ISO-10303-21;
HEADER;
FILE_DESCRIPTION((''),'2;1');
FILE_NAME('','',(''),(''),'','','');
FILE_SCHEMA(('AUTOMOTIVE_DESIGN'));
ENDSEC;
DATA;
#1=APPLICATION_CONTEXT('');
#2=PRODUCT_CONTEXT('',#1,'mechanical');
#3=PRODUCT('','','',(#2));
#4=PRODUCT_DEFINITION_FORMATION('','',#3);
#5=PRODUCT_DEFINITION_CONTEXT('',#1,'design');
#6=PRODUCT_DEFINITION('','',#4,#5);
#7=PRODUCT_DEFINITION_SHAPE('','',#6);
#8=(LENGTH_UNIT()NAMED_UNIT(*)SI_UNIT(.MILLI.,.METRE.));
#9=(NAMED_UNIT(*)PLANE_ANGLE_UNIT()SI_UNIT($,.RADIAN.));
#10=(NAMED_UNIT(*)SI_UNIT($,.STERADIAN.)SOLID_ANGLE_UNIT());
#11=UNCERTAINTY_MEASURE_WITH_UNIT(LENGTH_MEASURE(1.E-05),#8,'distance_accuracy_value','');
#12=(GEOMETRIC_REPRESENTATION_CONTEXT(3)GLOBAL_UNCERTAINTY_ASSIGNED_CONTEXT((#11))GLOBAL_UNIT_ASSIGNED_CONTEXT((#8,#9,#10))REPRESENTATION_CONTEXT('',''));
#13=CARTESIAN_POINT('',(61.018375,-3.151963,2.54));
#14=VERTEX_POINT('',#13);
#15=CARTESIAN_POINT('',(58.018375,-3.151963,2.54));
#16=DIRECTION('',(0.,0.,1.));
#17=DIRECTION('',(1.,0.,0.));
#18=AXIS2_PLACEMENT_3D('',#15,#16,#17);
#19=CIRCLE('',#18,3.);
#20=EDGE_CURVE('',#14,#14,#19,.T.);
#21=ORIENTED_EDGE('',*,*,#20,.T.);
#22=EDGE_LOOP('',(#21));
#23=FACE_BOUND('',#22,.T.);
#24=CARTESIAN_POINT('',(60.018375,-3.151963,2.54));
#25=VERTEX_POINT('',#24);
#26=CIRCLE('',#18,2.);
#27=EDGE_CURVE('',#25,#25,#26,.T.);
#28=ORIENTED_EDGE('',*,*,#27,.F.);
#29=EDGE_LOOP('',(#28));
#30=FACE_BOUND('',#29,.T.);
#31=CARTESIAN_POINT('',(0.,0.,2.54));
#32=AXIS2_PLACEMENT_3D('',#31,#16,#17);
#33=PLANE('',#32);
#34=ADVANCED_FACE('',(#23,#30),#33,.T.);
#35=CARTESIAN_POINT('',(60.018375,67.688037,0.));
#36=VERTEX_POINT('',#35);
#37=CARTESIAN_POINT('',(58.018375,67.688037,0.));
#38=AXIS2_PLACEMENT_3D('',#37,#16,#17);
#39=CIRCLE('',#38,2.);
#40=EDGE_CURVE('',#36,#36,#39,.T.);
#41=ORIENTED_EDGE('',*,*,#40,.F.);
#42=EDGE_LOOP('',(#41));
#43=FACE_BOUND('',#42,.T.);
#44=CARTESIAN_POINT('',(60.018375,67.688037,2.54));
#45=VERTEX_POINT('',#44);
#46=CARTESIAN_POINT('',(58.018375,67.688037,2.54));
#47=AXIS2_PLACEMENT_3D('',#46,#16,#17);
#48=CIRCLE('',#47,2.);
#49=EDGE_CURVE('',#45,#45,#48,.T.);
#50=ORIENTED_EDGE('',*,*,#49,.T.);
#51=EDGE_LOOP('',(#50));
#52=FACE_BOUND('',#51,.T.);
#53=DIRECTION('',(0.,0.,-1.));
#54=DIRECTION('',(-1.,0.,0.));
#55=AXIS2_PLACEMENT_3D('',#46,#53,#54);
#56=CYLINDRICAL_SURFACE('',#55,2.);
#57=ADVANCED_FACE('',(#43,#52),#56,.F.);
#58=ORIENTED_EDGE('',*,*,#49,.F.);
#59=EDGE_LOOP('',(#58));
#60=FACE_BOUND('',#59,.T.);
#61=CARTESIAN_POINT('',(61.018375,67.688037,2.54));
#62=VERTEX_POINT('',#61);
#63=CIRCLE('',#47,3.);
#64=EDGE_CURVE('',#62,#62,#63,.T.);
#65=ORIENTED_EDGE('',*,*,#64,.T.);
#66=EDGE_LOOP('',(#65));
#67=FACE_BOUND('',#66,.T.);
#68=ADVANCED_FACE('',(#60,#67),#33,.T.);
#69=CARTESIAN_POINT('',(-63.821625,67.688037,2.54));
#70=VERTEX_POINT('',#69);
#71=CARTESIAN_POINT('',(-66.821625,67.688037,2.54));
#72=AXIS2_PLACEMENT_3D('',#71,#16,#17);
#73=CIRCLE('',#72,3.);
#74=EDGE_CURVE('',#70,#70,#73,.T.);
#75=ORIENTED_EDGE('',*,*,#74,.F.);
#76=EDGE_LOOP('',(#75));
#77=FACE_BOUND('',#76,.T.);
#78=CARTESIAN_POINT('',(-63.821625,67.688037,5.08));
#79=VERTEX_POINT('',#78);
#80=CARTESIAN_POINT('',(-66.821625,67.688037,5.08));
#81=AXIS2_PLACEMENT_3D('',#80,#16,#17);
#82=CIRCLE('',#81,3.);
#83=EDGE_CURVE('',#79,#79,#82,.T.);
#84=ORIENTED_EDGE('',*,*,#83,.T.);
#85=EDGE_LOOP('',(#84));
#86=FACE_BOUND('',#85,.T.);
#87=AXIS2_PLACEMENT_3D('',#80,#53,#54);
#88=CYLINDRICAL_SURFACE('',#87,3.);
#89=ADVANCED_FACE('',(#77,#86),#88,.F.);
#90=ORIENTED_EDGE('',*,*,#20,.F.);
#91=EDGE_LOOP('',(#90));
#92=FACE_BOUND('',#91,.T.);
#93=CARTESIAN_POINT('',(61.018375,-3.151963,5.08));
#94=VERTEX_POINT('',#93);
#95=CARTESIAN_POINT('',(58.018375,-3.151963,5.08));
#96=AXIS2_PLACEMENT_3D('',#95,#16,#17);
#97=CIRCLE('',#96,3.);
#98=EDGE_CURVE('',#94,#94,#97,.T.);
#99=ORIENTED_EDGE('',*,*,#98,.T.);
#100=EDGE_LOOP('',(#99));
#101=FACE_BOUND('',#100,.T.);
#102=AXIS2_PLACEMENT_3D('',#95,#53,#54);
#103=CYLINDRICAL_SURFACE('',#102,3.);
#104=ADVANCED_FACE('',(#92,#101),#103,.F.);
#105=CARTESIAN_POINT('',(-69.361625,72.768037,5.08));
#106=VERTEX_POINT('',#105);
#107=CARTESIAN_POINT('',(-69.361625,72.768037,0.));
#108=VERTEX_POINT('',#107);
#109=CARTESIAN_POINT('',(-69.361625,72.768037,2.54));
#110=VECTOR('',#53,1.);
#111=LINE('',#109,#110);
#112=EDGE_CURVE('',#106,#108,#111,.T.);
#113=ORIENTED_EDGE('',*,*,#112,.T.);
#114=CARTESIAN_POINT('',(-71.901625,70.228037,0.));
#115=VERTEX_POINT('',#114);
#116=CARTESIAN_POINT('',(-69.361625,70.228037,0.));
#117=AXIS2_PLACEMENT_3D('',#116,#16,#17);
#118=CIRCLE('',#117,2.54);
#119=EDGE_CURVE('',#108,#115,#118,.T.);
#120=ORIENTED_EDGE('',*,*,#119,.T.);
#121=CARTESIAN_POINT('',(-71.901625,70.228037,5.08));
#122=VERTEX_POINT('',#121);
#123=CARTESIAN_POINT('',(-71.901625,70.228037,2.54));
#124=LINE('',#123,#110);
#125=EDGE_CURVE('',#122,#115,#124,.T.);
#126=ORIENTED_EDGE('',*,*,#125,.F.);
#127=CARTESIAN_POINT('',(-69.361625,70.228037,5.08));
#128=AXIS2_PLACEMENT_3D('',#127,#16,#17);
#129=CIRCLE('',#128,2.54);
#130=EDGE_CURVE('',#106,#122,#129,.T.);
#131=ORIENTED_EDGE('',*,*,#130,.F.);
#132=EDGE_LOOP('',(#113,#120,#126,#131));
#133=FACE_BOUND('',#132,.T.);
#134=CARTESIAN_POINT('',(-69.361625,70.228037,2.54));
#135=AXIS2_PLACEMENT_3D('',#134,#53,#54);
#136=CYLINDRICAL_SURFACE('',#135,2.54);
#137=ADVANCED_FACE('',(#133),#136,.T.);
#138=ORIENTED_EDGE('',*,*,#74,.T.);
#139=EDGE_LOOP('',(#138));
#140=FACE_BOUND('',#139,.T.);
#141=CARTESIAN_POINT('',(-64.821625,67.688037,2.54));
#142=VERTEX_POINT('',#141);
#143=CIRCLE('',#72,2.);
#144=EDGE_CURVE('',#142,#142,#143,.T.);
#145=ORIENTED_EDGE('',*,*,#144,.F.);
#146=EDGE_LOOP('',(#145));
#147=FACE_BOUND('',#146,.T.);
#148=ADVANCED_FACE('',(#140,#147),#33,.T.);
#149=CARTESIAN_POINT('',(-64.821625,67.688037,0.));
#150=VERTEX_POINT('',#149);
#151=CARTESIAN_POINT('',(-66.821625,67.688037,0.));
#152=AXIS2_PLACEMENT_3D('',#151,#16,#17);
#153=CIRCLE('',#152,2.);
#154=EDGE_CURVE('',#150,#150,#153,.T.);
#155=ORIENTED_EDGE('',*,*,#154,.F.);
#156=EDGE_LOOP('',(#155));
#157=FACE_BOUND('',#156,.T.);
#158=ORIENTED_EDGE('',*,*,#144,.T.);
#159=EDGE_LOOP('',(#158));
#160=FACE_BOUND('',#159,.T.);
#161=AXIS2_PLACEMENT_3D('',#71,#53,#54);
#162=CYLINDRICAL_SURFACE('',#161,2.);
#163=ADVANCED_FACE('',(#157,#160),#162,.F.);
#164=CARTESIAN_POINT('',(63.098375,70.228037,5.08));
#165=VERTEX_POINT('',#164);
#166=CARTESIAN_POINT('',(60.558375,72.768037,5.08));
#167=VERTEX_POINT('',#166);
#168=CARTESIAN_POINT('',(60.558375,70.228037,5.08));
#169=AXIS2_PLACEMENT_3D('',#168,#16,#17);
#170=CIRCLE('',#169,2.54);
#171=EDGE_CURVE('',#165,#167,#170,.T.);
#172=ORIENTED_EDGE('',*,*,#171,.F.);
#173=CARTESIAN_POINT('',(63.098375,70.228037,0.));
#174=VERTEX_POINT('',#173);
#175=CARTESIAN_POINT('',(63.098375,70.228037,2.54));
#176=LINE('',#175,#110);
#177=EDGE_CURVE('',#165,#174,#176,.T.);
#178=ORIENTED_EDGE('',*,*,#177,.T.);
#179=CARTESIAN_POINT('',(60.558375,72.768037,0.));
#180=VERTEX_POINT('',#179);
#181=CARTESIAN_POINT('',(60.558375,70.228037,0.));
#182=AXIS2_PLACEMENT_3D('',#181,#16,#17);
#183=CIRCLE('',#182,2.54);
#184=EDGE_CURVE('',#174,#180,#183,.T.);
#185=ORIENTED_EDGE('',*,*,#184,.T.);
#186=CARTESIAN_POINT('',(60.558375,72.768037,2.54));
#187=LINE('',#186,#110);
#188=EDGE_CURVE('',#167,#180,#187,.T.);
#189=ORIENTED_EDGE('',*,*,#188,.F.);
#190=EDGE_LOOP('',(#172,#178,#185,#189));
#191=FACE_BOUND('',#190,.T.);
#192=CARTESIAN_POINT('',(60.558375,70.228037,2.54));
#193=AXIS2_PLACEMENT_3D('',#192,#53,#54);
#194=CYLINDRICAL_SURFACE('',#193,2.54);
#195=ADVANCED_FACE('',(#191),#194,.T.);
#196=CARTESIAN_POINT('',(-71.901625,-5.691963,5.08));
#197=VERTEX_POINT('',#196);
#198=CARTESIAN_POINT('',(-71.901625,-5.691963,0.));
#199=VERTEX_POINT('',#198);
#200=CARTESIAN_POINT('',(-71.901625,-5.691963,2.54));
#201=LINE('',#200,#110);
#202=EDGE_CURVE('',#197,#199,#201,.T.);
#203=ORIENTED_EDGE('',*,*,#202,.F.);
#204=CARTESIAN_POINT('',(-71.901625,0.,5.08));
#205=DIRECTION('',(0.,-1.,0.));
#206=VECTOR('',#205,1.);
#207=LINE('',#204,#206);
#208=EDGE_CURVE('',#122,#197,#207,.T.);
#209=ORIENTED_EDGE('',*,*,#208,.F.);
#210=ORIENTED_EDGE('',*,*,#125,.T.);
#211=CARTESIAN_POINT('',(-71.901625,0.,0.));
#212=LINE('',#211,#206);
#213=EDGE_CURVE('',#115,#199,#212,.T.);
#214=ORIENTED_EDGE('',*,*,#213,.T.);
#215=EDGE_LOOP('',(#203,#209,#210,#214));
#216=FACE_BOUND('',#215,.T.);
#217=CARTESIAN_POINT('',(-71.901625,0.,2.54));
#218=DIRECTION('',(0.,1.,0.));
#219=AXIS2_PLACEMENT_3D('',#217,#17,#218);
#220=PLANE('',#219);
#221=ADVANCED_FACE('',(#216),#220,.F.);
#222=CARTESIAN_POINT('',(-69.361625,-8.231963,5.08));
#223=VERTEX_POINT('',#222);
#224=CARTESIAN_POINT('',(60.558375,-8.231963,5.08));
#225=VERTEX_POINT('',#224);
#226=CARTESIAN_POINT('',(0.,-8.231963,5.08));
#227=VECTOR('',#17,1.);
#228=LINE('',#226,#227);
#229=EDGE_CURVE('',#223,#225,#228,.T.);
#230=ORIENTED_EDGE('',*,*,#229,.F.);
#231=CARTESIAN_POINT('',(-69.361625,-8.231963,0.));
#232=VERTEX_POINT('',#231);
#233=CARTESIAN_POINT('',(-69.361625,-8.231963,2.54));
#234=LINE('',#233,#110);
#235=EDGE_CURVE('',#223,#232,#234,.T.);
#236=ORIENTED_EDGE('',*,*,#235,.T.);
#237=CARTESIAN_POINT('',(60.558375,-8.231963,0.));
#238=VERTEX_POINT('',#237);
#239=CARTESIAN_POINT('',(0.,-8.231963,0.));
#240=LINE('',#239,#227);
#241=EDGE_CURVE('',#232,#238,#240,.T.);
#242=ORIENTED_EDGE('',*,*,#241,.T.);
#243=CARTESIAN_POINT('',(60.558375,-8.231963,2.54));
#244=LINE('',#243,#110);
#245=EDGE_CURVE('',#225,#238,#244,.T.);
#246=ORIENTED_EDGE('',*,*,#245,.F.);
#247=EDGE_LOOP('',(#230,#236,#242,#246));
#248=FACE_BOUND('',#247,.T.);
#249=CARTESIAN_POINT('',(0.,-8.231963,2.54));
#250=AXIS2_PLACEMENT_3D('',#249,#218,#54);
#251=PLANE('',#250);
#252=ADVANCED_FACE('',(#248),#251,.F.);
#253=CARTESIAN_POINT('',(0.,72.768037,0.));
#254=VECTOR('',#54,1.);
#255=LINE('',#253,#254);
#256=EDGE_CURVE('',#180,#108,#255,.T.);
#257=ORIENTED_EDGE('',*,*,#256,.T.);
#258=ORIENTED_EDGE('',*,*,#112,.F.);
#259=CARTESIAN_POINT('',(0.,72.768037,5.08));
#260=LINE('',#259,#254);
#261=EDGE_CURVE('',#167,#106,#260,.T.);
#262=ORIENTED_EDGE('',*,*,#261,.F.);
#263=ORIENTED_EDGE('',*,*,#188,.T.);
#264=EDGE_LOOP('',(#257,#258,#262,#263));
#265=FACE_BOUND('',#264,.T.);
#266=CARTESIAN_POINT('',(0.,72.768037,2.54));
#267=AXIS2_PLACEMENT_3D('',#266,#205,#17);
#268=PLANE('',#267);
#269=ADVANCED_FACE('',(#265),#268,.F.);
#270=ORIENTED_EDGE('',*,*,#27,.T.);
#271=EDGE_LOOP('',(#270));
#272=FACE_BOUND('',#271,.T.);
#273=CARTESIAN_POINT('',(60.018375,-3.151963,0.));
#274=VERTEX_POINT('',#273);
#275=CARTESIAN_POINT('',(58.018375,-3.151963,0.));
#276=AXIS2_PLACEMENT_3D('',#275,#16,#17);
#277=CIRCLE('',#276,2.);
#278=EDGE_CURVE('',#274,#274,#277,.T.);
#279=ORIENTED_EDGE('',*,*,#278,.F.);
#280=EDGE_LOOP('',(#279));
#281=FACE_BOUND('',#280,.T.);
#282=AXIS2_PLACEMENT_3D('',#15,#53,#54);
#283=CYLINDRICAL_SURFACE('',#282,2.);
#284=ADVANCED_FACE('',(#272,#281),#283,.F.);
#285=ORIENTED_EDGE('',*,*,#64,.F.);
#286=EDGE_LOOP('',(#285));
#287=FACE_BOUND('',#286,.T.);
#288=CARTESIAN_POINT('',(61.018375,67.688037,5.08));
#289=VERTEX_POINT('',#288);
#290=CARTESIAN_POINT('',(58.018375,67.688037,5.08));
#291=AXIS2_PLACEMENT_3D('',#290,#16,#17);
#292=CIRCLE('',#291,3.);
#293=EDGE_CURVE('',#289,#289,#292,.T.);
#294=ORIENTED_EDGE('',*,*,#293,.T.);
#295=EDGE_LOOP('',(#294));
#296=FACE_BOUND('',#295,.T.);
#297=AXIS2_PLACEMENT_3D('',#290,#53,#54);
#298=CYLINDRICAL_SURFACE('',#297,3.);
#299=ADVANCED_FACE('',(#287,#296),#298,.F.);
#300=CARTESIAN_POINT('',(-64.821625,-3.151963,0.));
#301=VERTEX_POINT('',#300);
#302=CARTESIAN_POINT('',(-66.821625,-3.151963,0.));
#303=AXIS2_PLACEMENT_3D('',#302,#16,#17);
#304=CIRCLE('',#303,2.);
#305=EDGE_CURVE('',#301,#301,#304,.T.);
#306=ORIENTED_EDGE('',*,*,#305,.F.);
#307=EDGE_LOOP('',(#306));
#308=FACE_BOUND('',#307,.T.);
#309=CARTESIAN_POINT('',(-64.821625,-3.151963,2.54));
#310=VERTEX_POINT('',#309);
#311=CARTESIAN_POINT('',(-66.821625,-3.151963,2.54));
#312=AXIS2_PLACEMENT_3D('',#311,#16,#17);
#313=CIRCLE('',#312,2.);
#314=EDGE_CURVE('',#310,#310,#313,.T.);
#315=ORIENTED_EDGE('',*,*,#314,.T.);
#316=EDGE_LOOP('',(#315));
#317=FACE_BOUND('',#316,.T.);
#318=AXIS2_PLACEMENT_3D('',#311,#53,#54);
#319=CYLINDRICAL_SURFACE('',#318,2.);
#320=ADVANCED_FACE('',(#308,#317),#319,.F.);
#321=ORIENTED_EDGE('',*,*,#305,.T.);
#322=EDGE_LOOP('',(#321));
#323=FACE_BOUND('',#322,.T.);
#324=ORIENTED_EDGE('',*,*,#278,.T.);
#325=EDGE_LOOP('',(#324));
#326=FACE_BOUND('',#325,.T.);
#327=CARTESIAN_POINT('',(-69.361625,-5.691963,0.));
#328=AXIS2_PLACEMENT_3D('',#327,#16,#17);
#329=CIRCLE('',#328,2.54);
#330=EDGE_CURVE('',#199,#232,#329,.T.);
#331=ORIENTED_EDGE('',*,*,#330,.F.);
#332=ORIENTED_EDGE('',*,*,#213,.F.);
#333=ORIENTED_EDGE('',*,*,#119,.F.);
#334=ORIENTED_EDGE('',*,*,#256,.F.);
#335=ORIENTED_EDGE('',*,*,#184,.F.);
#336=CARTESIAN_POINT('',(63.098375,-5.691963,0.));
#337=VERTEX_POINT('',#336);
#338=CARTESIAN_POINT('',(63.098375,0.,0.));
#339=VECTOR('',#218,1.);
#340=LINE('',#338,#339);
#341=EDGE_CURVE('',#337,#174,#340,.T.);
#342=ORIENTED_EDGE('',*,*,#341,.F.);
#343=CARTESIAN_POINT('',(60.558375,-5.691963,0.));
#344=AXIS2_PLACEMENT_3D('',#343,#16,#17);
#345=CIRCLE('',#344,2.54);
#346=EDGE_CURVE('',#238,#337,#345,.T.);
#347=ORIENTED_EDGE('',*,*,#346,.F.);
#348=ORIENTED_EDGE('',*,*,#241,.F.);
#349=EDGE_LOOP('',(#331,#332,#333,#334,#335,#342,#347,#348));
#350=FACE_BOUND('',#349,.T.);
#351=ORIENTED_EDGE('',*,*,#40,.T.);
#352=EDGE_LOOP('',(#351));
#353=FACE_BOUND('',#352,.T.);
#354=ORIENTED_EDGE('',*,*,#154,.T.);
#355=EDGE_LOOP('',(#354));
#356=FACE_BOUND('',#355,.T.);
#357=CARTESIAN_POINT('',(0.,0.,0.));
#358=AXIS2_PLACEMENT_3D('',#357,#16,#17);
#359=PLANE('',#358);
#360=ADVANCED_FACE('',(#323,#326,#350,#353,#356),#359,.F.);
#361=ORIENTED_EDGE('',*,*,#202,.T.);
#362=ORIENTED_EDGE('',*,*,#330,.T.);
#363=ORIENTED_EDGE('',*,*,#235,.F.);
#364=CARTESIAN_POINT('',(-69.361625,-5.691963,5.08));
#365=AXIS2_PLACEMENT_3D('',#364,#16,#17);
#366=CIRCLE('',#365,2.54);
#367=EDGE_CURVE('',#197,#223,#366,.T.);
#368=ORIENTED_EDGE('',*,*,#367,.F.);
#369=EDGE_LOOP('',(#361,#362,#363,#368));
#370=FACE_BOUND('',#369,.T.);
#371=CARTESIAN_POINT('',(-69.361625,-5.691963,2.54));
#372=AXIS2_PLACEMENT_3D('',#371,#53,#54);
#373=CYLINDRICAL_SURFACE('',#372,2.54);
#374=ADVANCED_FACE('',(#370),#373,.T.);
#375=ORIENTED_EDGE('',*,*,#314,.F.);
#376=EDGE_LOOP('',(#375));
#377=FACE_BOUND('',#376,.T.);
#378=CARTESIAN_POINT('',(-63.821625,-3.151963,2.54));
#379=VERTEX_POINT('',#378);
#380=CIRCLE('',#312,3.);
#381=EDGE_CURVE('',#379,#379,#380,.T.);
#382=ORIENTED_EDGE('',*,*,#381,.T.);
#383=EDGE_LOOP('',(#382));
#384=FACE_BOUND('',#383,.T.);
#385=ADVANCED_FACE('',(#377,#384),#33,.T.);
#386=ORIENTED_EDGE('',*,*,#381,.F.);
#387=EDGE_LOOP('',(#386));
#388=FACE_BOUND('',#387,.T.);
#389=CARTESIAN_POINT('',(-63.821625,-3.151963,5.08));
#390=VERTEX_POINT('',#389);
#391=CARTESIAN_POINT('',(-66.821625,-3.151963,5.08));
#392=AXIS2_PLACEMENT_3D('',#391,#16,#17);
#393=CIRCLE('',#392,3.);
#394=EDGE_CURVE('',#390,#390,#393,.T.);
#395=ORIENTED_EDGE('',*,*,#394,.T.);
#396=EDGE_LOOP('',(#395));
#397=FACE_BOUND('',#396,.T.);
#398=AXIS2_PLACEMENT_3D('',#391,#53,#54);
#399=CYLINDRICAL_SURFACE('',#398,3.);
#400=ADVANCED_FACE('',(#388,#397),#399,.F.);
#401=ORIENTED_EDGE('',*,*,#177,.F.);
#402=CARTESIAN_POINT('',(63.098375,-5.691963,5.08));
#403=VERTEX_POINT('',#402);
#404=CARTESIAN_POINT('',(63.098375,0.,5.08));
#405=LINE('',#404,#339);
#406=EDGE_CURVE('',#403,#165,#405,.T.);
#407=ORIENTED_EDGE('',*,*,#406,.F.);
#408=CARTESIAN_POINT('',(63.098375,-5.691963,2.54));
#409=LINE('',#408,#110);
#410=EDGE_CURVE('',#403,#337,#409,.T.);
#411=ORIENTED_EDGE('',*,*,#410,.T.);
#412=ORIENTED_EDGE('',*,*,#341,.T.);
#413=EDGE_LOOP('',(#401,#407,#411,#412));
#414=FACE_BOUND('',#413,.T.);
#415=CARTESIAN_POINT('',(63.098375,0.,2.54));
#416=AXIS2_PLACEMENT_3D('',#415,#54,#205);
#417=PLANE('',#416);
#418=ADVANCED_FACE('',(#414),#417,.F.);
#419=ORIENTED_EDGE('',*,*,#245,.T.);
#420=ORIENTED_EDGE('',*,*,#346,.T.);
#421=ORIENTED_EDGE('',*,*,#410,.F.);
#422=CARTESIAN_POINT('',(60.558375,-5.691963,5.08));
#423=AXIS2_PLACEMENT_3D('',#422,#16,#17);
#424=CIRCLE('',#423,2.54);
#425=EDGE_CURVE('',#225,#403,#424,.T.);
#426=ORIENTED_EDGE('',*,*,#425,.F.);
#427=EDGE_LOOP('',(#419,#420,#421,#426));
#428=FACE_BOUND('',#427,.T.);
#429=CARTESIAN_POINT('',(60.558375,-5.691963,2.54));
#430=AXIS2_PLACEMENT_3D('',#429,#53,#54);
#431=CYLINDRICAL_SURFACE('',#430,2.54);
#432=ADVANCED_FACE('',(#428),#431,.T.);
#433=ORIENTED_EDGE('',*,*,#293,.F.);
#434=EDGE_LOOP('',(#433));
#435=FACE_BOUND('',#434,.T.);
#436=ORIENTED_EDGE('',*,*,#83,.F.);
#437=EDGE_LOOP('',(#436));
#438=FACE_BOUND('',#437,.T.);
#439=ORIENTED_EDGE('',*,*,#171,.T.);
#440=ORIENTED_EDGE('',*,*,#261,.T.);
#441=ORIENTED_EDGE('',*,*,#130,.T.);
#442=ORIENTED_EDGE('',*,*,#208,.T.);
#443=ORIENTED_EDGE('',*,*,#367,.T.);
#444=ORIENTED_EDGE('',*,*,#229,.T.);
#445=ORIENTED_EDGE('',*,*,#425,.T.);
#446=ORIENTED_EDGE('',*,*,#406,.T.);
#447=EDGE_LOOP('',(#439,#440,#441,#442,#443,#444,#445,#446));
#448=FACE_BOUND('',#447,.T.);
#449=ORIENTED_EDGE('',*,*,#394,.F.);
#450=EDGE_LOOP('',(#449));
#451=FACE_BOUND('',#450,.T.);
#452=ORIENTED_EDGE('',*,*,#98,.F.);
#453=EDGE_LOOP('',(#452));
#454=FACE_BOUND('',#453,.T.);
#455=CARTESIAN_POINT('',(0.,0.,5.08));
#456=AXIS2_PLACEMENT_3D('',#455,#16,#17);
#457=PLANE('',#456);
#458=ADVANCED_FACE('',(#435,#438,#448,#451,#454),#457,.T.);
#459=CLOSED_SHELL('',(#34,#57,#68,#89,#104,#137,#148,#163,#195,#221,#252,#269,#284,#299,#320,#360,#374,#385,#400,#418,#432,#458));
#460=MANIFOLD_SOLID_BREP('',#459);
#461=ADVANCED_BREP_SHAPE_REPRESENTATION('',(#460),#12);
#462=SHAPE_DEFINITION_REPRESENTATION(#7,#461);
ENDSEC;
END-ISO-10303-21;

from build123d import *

# Parameters (mm, degrees)
SKETCH1_R           = 2
SKETCH1_W           = 2.5
SKETCH1_H           = 2.794
BOSS_EXTRUDE1_DEPTH = 2.54
SKETCH3_R           = 3
BOSS_EXTRUDE2_DEPTH = 2.54


with BuildPart() as part:
    # Sketch1 → Boss-Extrude1 (new body)
    # profile 1 of 3: a face of its own
    with BuildSketch(Plane.XY):
        with BuildLine():
            Line((-71.901625411, 70.228037055), (-71.901625411, 23.565037055))
            Line((-71.901625411, 23.565037055), (-69.401625411, 23.565037055))
            Line((-69.401625411, 23.565037055), (-69.401625411, 55.378037055))
            ThreePointArc((-69.401625411, 55.378037055), (-66.797804696, 61.66421634), (-60.511625411, 64.268037055))
            Line((-60.511625411, 64.268037055), (26.708374589, 64.268037055))
            ThreePointArc((26.708374589, 64.268037055), (32.994553874, 61.66421634), (35.598374589, 55.378037055))
            Line((35.598374589, 55.378037055), (35.598374589, 8.158037055))
            ThreePointArc((35.598374589, 8.158037055), (32.994553874, 1.871857771), (26.708374589, -0.731962945))
            Line((26.708374589, -0.731962945), (-60.511625411, -0.731962945))
            ThreePointArc((-60.511625411, -0.731962945), (-66.797804696, 1.871857771), (-69.401625411, 8.158037055))
            Line((-69.401625411, 8.158037055), (-69.401625411, 20.771037055))
            Line((-69.401625411, 20.771037055), (-71.901625411, 20.771037055))
            Line((-71.901625411, 20.771037055), (-71.901625411, -5.691962945))
            ThreePointArc((-71.901625411, -5.691962945), (-71.157676635, -7.488014169), (-69.361625411, -8.231962945))
            Line((-69.361625411, -8.231962945), (60.558374589, -8.231962945))
            ThreePointArc((60.558374589, -8.231962945), (62.354425813, -7.488014169), (63.098374589, -5.691962945))
            Line((63.098374589, -5.691962945), (63.098374589, 70.228037055))
            ThreePointArc((63.098374589, 70.228037055), (62.354425813, 72.024088279), (60.558374589, 72.768037055))
            Line((60.558374589, 72.768037055), (-69.361625411, 72.768037055))
            ThreePointArc((-69.361625411, 72.768037055), (-71.157676635, 72.024088279), (-71.901625411, 70.228037055))
        make_face()
        with Locations((-66.821625411, -3.151962945)):
            Circle(SKETCH1_R, mode=Mode.SUBTRACT)
        with Locations((58.018374589, -3.151962945)):
            Circle(SKETCH1_R, mode=Mode.SUBTRACT)
        with Locations((-66.821625411, 67.688037055)):
            Circle(SKETCH1_R, mode=Mode.SUBTRACT)
        with Locations((58.018374589, 67.688037055)):
            Circle(SKETCH1_R, mode=Mode.SUBTRACT)
    # profile 2 of 3: a face of its own
    with BuildSketch(Plane.XY):
        with Locations((-70.651625411, 22.168037055)):
            Rectangle(SKETCH1_W, SKETCH1_H)
    # profile 3 of 3: a face of its own
    with BuildSketch(Plane.XY):
        with BuildLine():
            Line((-69.401625411, 55.378037055), (-69.401625411, 23.565037055))
            Line((-69.401625411, 23.565037055), (-69.401625411, 20.771037055))
            Line((-69.401625411, 20.771037055), (-69.401625411, 8.158037055))
            ThreePointArc((-69.401625411, 8.158037055), (-66.797804696, 1.871857771), (-60.511625411, -0.731962945))
            Line((-60.511625411, -0.731962945), (26.708374589, -0.731962945))
            ThreePointArc((26.708374589, -0.731962945), (32.994553874, 1.871857771), (35.598374589, 8.158037055))
            Line((35.598374589, 8.158037055), (35.598374589, 55.378037055))
            ThreePointArc((35.598374589, 55.378037055), (32.994553874, 61.66421634), (26.708374589, 64.268037055))
            Line((26.708374589, 64.268037055), (-60.511625411, 64.268037055))
            ThreePointArc((-60.511625411, 64.268037055), (-66.797804696, 61.66421634), (-69.401625411, 55.378037055))
        make_face()
    extrude(amount=BOSS_EXTRUDE1_DEPTH)

    # Sketch3 → Boss-Extrude2 (add)
    with BuildSketch(Plane.XY.offset(2.54)):
        with BuildLine():
            Line((63.098374589, -5.691962945), (63.098374589, 70.228037055))
            ThreePointArc((63.098374589, 70.228037055), (62.354425813, 72.024088279), (60.558374589, 72.768037055))
            Line((60.558374589, 72.768037055), (-69.361625411, 72.768037055))
            ThreePointArc((-69.361625411, 72.768037055), (-71.157676635, 72.024088279), (-71.901625411, 70.228037055))
            Line((-71.901625411, 70.228037055), (-71.901625411, -5.691962945))
            ThreePointArc((-71.901625411, -5.691962945), (-71.157676635, -7.488014169), (-69.361625411, -8.231962945))
            Line((-69.361625411, -8.231962945), (60.558374589, -8.231962945))
            ThreePointArc((60.558374589, -8.231962945), (62.354425813, -7.488014169), (63.098374589, -5.691962945))
        make_face()
        with Locations((-66.821625411, -3.151962945)):
            Circle(SKETCH3_R, mode=Mode.SUBTRACT)
        with Locations((58.018374589, -3.151962945)):
            Circle(SKETCH3_R, mode=Mode.SUBTRACT)
        with Locations((58.018374589, 67.688037055)):
            Circle(SKETCH3_R, mode=Mode.SUBTRACT)
        with Locations((-66.821625411, 67.688037055)):
            Circle(SKETCH3_R, mode=Mode.SUBTRACT)
    extrude(amount=BOSS_EXTRUDE2_DEPTH)


solid = part.part
